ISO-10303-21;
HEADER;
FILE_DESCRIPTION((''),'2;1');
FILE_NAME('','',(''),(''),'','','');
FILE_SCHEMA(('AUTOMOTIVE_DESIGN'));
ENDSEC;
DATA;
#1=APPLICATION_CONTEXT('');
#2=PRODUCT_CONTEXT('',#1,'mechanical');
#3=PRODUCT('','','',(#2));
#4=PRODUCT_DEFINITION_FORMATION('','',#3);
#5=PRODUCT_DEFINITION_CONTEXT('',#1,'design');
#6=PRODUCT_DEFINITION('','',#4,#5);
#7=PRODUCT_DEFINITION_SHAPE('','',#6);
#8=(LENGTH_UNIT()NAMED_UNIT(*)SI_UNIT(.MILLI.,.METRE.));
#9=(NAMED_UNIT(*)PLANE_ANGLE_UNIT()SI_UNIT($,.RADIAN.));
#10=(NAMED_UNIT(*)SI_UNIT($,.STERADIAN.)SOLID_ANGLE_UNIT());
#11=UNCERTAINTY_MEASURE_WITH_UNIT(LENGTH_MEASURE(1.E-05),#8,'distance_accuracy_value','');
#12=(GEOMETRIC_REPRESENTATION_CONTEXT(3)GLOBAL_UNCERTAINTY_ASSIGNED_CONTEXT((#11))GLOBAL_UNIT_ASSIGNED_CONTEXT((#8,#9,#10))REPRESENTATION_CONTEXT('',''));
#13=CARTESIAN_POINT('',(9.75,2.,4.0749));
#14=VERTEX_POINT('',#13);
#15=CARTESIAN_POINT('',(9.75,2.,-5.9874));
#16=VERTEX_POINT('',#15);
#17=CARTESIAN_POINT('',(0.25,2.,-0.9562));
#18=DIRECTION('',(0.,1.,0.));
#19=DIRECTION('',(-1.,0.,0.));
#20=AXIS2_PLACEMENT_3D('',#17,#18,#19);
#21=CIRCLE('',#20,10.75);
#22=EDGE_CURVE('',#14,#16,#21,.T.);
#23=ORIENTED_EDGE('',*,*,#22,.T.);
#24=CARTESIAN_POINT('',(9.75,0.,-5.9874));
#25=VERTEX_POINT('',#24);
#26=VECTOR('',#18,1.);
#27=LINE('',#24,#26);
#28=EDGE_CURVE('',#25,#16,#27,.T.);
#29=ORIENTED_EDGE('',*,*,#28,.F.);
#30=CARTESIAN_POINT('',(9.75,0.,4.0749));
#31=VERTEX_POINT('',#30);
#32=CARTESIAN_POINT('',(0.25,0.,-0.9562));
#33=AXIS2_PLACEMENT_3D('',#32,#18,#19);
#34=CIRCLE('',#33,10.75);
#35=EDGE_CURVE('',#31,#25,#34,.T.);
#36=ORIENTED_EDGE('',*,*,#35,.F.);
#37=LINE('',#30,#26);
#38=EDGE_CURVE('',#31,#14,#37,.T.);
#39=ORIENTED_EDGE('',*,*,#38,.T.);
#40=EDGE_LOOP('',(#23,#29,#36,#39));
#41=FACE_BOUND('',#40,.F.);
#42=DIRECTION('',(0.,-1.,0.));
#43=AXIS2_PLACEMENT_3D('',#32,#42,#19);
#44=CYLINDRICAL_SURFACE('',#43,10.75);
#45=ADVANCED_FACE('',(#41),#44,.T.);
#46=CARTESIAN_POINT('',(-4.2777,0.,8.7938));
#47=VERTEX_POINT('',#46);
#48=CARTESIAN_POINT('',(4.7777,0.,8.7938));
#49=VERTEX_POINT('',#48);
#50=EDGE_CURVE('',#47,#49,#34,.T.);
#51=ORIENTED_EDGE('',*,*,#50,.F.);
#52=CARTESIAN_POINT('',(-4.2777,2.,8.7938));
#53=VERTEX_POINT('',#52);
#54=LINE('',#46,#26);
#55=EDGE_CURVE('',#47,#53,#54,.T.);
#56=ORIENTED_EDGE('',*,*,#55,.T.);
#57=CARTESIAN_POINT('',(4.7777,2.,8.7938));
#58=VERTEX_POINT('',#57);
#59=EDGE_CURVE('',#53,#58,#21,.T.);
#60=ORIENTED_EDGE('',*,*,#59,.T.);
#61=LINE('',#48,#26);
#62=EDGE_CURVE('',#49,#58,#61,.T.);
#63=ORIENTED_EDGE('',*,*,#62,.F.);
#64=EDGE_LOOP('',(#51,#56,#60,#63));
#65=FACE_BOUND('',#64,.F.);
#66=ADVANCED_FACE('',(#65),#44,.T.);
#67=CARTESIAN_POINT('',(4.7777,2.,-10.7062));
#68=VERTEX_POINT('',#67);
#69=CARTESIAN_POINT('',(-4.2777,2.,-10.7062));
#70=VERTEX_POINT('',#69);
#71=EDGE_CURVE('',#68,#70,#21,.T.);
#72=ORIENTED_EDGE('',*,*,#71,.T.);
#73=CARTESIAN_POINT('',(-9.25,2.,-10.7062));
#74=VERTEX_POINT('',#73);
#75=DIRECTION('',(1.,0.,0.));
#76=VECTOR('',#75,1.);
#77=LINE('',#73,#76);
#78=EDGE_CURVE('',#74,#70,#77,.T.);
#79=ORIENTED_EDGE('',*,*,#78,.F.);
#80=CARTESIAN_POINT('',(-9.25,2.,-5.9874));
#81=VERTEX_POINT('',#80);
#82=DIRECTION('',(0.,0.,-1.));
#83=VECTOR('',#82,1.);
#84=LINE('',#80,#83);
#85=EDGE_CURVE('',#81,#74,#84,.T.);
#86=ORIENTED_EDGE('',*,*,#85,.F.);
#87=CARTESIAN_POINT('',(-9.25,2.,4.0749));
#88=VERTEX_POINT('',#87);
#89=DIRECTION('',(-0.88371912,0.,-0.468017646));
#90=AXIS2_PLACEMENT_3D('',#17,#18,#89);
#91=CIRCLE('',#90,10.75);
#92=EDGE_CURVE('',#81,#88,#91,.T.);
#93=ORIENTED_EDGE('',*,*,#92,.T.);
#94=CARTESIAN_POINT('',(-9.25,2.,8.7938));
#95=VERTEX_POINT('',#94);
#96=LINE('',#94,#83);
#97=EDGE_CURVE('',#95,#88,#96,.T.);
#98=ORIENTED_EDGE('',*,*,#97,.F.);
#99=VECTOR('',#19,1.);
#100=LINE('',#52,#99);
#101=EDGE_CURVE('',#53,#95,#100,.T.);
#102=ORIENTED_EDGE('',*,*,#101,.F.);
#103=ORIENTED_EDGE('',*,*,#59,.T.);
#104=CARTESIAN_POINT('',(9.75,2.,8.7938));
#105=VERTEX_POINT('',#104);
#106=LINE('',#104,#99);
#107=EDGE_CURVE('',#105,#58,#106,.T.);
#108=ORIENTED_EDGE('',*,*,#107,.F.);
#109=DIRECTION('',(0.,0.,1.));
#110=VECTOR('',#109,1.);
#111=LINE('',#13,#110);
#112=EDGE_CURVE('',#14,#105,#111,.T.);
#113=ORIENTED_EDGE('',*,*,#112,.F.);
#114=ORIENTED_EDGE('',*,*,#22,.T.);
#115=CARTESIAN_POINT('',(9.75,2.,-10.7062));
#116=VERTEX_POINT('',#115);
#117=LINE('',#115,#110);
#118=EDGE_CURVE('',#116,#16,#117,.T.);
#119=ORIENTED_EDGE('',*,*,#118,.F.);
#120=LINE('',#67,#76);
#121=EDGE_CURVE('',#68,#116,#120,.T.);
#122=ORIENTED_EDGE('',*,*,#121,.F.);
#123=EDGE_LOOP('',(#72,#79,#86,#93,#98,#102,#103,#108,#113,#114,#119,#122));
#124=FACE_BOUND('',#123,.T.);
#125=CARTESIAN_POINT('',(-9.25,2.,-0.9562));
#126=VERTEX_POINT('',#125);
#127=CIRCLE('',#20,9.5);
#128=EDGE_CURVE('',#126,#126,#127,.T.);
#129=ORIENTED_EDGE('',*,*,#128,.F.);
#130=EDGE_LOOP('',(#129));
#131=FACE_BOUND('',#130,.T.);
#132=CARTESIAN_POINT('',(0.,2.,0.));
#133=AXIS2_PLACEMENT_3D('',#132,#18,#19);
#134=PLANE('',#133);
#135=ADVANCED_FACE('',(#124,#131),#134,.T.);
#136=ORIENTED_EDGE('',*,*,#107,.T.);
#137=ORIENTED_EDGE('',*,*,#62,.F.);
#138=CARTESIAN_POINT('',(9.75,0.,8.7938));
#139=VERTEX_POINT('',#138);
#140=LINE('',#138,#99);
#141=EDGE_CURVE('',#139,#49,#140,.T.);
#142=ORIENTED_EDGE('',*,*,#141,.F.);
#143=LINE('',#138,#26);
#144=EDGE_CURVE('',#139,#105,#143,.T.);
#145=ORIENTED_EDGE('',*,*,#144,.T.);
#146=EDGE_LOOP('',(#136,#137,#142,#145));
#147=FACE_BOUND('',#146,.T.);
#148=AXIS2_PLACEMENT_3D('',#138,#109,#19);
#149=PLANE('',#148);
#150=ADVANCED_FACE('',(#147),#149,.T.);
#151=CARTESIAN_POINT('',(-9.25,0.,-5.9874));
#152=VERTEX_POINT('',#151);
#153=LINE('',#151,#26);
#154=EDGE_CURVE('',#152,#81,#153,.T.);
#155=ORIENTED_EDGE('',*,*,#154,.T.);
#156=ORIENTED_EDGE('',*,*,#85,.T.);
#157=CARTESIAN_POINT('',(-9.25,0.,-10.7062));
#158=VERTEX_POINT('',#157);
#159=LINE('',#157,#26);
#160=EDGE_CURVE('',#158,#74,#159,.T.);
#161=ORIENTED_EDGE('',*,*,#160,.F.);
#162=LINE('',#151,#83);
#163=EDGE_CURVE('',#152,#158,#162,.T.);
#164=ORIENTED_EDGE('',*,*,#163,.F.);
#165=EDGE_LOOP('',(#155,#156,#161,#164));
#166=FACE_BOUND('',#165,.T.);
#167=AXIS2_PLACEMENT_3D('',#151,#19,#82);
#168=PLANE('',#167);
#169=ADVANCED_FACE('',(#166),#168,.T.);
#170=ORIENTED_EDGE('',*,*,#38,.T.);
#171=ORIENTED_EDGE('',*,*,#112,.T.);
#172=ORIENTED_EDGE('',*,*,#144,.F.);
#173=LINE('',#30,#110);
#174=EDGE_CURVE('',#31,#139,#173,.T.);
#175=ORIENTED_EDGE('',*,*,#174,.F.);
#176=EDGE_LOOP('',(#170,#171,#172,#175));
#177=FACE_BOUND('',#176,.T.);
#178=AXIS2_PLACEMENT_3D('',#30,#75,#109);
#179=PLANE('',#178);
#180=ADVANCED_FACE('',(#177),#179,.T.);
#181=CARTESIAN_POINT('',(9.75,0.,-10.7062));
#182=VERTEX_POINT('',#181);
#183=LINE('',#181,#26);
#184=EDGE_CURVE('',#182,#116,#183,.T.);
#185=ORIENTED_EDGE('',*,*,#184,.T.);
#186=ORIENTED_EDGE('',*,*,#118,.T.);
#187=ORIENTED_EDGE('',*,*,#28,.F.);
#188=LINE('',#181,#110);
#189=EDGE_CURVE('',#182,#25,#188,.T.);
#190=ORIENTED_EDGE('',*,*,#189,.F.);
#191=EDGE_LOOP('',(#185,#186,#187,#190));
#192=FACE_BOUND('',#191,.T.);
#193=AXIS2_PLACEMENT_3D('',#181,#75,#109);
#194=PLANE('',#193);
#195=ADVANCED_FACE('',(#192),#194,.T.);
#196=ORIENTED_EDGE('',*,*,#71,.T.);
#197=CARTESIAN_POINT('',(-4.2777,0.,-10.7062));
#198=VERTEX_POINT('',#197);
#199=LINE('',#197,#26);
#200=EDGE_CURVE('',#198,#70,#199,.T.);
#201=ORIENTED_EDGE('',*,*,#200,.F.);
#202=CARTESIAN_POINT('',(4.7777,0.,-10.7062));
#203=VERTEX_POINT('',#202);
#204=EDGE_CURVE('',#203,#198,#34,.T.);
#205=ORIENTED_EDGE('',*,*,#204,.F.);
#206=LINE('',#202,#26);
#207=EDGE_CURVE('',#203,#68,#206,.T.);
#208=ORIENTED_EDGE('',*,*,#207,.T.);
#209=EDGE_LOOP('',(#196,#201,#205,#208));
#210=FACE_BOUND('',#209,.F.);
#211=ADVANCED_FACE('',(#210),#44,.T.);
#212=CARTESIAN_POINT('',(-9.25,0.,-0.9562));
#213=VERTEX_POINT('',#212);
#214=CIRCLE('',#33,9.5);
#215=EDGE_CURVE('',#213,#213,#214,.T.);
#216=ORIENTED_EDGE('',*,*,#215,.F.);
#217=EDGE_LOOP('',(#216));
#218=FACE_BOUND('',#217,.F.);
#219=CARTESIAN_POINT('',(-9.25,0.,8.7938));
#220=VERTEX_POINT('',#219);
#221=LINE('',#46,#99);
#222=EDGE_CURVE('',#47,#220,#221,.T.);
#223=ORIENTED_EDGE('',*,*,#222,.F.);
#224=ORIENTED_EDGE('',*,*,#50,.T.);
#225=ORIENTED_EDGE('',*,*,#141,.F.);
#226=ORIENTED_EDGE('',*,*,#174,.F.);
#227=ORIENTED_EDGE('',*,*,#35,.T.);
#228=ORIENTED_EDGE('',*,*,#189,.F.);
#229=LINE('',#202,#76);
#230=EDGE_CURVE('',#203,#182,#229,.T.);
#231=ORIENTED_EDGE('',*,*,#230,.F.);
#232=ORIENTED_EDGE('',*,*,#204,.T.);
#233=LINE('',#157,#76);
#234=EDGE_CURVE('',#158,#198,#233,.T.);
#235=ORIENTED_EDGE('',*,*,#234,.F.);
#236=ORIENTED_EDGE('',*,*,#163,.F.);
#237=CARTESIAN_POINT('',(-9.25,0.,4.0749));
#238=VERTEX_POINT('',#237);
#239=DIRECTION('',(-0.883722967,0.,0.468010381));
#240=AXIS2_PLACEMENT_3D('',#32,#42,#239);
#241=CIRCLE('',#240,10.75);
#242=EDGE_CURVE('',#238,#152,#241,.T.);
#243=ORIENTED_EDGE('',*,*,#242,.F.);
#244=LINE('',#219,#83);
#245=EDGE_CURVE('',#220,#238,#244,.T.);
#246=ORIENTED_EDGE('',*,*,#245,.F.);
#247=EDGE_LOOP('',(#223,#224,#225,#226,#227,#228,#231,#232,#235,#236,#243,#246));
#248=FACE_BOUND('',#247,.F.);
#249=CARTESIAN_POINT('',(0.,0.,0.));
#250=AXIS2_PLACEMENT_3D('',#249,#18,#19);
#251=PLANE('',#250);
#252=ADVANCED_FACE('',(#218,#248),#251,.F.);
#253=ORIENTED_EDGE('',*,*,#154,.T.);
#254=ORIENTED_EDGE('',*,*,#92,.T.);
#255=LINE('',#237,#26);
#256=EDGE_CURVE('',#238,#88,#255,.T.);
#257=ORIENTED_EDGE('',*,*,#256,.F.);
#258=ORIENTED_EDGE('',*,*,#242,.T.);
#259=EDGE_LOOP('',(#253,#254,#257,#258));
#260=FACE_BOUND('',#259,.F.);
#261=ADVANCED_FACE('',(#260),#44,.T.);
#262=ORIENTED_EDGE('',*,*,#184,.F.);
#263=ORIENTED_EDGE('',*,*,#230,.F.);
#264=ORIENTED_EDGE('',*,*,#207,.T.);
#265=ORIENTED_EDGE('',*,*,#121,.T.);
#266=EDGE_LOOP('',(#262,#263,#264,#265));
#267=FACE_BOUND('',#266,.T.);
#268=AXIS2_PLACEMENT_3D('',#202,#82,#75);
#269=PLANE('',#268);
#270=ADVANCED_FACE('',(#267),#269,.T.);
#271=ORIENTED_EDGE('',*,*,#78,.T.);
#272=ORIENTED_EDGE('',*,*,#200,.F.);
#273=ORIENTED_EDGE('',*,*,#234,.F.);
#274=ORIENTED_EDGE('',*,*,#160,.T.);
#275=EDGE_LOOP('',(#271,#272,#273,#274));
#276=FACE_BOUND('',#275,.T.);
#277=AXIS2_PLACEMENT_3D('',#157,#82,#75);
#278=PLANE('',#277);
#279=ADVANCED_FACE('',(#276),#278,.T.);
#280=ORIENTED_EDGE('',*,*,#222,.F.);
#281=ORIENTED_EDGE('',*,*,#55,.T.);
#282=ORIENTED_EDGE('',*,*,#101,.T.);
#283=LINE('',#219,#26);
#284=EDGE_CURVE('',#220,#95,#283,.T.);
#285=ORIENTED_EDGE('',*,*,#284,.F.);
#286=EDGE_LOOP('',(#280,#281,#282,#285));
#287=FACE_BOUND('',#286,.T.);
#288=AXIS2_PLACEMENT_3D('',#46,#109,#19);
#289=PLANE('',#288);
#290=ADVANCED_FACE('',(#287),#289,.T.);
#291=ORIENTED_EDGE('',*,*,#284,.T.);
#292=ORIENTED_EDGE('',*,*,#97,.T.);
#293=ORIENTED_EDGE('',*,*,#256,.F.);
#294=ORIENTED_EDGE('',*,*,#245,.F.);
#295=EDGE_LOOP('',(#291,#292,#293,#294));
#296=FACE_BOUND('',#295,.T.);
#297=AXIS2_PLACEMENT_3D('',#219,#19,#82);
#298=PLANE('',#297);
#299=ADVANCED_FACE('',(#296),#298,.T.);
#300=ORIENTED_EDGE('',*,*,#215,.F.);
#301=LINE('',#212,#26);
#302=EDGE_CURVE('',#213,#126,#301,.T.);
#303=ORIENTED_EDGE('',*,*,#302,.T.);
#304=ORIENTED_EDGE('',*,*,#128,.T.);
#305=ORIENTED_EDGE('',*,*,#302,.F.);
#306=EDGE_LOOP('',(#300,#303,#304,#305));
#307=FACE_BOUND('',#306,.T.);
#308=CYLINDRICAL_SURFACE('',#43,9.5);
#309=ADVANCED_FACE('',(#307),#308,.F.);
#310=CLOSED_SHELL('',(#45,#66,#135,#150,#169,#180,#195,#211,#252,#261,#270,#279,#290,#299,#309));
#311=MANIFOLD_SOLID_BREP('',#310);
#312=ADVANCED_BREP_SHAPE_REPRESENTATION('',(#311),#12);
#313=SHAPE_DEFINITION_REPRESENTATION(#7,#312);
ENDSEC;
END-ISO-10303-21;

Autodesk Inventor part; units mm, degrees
ref_plane "YZ Plane" through (0, 0, 0) normal (1, 0, 0) x (0, 1, 0)
ref_plane "XZ Plane" through (0, 0, 0) normal (0, 1, 0) x (-1, 0, 0)
ref_plane "XY Plane" through (0, 0, 0) normal (0, 0, 1) x (1, 0, 0)
sketch "Sketch1" plane through (0, 0, 0) normal (0, 1, 0) x (-1, 0, 0)
  line L0 (9.25, -10.7062) -> (4.2777, -10.7062)
  line L1 (-9.75, -10.7062) -> (-9.75, -5.9874)
  line L2 (-9.75, 8.7938) -> (-4.7777, 8.7938)
  line L3 (9.25, 8.7938) -> (9.25, 4.0749)
  line L4 (9.25, -10.7062) -> (-9.75, 8.7938) construction
  line L5 (-9.75, -10.7062) -> (9.25, 8.7938) construction
  circle A0 centre (-0.25, -0.9562) radius 9.5
  circle A1 centre (-0.25, -0.9562) radius 10.75
  line L6 (4.2777, 8.7938) -> (9.25, 8.7938)
  line L7 (-4.7777, 8.7938) -> (4.2777, 8.7938) construction
  line L8 (-9.75, 4.0749) -> (-9.75, 8.7938)
  line L9 (-9.75, -5.9874) -> (-9.75, 4.0749) construction
  line L10 (-4.7777, -10.7062) -> (-9.75, -10.7062)
  line L11 (4.2777, -10.7062) -> (-4.7777, -10.7062) construction
  line L12 (9.25, -5.9874) -> (9.25, -10.7062)
  line L13 (9.25, 4.0749) -> (9.25, -5.9874) construction
  dimension "d27" = 21.5
  dimension "d25" = 19
  dimension "d26" = 19
extrude "Extrusion1" add sketch "Sketch1" along normal blind 2
properties part number "FilterHolder 4x"
